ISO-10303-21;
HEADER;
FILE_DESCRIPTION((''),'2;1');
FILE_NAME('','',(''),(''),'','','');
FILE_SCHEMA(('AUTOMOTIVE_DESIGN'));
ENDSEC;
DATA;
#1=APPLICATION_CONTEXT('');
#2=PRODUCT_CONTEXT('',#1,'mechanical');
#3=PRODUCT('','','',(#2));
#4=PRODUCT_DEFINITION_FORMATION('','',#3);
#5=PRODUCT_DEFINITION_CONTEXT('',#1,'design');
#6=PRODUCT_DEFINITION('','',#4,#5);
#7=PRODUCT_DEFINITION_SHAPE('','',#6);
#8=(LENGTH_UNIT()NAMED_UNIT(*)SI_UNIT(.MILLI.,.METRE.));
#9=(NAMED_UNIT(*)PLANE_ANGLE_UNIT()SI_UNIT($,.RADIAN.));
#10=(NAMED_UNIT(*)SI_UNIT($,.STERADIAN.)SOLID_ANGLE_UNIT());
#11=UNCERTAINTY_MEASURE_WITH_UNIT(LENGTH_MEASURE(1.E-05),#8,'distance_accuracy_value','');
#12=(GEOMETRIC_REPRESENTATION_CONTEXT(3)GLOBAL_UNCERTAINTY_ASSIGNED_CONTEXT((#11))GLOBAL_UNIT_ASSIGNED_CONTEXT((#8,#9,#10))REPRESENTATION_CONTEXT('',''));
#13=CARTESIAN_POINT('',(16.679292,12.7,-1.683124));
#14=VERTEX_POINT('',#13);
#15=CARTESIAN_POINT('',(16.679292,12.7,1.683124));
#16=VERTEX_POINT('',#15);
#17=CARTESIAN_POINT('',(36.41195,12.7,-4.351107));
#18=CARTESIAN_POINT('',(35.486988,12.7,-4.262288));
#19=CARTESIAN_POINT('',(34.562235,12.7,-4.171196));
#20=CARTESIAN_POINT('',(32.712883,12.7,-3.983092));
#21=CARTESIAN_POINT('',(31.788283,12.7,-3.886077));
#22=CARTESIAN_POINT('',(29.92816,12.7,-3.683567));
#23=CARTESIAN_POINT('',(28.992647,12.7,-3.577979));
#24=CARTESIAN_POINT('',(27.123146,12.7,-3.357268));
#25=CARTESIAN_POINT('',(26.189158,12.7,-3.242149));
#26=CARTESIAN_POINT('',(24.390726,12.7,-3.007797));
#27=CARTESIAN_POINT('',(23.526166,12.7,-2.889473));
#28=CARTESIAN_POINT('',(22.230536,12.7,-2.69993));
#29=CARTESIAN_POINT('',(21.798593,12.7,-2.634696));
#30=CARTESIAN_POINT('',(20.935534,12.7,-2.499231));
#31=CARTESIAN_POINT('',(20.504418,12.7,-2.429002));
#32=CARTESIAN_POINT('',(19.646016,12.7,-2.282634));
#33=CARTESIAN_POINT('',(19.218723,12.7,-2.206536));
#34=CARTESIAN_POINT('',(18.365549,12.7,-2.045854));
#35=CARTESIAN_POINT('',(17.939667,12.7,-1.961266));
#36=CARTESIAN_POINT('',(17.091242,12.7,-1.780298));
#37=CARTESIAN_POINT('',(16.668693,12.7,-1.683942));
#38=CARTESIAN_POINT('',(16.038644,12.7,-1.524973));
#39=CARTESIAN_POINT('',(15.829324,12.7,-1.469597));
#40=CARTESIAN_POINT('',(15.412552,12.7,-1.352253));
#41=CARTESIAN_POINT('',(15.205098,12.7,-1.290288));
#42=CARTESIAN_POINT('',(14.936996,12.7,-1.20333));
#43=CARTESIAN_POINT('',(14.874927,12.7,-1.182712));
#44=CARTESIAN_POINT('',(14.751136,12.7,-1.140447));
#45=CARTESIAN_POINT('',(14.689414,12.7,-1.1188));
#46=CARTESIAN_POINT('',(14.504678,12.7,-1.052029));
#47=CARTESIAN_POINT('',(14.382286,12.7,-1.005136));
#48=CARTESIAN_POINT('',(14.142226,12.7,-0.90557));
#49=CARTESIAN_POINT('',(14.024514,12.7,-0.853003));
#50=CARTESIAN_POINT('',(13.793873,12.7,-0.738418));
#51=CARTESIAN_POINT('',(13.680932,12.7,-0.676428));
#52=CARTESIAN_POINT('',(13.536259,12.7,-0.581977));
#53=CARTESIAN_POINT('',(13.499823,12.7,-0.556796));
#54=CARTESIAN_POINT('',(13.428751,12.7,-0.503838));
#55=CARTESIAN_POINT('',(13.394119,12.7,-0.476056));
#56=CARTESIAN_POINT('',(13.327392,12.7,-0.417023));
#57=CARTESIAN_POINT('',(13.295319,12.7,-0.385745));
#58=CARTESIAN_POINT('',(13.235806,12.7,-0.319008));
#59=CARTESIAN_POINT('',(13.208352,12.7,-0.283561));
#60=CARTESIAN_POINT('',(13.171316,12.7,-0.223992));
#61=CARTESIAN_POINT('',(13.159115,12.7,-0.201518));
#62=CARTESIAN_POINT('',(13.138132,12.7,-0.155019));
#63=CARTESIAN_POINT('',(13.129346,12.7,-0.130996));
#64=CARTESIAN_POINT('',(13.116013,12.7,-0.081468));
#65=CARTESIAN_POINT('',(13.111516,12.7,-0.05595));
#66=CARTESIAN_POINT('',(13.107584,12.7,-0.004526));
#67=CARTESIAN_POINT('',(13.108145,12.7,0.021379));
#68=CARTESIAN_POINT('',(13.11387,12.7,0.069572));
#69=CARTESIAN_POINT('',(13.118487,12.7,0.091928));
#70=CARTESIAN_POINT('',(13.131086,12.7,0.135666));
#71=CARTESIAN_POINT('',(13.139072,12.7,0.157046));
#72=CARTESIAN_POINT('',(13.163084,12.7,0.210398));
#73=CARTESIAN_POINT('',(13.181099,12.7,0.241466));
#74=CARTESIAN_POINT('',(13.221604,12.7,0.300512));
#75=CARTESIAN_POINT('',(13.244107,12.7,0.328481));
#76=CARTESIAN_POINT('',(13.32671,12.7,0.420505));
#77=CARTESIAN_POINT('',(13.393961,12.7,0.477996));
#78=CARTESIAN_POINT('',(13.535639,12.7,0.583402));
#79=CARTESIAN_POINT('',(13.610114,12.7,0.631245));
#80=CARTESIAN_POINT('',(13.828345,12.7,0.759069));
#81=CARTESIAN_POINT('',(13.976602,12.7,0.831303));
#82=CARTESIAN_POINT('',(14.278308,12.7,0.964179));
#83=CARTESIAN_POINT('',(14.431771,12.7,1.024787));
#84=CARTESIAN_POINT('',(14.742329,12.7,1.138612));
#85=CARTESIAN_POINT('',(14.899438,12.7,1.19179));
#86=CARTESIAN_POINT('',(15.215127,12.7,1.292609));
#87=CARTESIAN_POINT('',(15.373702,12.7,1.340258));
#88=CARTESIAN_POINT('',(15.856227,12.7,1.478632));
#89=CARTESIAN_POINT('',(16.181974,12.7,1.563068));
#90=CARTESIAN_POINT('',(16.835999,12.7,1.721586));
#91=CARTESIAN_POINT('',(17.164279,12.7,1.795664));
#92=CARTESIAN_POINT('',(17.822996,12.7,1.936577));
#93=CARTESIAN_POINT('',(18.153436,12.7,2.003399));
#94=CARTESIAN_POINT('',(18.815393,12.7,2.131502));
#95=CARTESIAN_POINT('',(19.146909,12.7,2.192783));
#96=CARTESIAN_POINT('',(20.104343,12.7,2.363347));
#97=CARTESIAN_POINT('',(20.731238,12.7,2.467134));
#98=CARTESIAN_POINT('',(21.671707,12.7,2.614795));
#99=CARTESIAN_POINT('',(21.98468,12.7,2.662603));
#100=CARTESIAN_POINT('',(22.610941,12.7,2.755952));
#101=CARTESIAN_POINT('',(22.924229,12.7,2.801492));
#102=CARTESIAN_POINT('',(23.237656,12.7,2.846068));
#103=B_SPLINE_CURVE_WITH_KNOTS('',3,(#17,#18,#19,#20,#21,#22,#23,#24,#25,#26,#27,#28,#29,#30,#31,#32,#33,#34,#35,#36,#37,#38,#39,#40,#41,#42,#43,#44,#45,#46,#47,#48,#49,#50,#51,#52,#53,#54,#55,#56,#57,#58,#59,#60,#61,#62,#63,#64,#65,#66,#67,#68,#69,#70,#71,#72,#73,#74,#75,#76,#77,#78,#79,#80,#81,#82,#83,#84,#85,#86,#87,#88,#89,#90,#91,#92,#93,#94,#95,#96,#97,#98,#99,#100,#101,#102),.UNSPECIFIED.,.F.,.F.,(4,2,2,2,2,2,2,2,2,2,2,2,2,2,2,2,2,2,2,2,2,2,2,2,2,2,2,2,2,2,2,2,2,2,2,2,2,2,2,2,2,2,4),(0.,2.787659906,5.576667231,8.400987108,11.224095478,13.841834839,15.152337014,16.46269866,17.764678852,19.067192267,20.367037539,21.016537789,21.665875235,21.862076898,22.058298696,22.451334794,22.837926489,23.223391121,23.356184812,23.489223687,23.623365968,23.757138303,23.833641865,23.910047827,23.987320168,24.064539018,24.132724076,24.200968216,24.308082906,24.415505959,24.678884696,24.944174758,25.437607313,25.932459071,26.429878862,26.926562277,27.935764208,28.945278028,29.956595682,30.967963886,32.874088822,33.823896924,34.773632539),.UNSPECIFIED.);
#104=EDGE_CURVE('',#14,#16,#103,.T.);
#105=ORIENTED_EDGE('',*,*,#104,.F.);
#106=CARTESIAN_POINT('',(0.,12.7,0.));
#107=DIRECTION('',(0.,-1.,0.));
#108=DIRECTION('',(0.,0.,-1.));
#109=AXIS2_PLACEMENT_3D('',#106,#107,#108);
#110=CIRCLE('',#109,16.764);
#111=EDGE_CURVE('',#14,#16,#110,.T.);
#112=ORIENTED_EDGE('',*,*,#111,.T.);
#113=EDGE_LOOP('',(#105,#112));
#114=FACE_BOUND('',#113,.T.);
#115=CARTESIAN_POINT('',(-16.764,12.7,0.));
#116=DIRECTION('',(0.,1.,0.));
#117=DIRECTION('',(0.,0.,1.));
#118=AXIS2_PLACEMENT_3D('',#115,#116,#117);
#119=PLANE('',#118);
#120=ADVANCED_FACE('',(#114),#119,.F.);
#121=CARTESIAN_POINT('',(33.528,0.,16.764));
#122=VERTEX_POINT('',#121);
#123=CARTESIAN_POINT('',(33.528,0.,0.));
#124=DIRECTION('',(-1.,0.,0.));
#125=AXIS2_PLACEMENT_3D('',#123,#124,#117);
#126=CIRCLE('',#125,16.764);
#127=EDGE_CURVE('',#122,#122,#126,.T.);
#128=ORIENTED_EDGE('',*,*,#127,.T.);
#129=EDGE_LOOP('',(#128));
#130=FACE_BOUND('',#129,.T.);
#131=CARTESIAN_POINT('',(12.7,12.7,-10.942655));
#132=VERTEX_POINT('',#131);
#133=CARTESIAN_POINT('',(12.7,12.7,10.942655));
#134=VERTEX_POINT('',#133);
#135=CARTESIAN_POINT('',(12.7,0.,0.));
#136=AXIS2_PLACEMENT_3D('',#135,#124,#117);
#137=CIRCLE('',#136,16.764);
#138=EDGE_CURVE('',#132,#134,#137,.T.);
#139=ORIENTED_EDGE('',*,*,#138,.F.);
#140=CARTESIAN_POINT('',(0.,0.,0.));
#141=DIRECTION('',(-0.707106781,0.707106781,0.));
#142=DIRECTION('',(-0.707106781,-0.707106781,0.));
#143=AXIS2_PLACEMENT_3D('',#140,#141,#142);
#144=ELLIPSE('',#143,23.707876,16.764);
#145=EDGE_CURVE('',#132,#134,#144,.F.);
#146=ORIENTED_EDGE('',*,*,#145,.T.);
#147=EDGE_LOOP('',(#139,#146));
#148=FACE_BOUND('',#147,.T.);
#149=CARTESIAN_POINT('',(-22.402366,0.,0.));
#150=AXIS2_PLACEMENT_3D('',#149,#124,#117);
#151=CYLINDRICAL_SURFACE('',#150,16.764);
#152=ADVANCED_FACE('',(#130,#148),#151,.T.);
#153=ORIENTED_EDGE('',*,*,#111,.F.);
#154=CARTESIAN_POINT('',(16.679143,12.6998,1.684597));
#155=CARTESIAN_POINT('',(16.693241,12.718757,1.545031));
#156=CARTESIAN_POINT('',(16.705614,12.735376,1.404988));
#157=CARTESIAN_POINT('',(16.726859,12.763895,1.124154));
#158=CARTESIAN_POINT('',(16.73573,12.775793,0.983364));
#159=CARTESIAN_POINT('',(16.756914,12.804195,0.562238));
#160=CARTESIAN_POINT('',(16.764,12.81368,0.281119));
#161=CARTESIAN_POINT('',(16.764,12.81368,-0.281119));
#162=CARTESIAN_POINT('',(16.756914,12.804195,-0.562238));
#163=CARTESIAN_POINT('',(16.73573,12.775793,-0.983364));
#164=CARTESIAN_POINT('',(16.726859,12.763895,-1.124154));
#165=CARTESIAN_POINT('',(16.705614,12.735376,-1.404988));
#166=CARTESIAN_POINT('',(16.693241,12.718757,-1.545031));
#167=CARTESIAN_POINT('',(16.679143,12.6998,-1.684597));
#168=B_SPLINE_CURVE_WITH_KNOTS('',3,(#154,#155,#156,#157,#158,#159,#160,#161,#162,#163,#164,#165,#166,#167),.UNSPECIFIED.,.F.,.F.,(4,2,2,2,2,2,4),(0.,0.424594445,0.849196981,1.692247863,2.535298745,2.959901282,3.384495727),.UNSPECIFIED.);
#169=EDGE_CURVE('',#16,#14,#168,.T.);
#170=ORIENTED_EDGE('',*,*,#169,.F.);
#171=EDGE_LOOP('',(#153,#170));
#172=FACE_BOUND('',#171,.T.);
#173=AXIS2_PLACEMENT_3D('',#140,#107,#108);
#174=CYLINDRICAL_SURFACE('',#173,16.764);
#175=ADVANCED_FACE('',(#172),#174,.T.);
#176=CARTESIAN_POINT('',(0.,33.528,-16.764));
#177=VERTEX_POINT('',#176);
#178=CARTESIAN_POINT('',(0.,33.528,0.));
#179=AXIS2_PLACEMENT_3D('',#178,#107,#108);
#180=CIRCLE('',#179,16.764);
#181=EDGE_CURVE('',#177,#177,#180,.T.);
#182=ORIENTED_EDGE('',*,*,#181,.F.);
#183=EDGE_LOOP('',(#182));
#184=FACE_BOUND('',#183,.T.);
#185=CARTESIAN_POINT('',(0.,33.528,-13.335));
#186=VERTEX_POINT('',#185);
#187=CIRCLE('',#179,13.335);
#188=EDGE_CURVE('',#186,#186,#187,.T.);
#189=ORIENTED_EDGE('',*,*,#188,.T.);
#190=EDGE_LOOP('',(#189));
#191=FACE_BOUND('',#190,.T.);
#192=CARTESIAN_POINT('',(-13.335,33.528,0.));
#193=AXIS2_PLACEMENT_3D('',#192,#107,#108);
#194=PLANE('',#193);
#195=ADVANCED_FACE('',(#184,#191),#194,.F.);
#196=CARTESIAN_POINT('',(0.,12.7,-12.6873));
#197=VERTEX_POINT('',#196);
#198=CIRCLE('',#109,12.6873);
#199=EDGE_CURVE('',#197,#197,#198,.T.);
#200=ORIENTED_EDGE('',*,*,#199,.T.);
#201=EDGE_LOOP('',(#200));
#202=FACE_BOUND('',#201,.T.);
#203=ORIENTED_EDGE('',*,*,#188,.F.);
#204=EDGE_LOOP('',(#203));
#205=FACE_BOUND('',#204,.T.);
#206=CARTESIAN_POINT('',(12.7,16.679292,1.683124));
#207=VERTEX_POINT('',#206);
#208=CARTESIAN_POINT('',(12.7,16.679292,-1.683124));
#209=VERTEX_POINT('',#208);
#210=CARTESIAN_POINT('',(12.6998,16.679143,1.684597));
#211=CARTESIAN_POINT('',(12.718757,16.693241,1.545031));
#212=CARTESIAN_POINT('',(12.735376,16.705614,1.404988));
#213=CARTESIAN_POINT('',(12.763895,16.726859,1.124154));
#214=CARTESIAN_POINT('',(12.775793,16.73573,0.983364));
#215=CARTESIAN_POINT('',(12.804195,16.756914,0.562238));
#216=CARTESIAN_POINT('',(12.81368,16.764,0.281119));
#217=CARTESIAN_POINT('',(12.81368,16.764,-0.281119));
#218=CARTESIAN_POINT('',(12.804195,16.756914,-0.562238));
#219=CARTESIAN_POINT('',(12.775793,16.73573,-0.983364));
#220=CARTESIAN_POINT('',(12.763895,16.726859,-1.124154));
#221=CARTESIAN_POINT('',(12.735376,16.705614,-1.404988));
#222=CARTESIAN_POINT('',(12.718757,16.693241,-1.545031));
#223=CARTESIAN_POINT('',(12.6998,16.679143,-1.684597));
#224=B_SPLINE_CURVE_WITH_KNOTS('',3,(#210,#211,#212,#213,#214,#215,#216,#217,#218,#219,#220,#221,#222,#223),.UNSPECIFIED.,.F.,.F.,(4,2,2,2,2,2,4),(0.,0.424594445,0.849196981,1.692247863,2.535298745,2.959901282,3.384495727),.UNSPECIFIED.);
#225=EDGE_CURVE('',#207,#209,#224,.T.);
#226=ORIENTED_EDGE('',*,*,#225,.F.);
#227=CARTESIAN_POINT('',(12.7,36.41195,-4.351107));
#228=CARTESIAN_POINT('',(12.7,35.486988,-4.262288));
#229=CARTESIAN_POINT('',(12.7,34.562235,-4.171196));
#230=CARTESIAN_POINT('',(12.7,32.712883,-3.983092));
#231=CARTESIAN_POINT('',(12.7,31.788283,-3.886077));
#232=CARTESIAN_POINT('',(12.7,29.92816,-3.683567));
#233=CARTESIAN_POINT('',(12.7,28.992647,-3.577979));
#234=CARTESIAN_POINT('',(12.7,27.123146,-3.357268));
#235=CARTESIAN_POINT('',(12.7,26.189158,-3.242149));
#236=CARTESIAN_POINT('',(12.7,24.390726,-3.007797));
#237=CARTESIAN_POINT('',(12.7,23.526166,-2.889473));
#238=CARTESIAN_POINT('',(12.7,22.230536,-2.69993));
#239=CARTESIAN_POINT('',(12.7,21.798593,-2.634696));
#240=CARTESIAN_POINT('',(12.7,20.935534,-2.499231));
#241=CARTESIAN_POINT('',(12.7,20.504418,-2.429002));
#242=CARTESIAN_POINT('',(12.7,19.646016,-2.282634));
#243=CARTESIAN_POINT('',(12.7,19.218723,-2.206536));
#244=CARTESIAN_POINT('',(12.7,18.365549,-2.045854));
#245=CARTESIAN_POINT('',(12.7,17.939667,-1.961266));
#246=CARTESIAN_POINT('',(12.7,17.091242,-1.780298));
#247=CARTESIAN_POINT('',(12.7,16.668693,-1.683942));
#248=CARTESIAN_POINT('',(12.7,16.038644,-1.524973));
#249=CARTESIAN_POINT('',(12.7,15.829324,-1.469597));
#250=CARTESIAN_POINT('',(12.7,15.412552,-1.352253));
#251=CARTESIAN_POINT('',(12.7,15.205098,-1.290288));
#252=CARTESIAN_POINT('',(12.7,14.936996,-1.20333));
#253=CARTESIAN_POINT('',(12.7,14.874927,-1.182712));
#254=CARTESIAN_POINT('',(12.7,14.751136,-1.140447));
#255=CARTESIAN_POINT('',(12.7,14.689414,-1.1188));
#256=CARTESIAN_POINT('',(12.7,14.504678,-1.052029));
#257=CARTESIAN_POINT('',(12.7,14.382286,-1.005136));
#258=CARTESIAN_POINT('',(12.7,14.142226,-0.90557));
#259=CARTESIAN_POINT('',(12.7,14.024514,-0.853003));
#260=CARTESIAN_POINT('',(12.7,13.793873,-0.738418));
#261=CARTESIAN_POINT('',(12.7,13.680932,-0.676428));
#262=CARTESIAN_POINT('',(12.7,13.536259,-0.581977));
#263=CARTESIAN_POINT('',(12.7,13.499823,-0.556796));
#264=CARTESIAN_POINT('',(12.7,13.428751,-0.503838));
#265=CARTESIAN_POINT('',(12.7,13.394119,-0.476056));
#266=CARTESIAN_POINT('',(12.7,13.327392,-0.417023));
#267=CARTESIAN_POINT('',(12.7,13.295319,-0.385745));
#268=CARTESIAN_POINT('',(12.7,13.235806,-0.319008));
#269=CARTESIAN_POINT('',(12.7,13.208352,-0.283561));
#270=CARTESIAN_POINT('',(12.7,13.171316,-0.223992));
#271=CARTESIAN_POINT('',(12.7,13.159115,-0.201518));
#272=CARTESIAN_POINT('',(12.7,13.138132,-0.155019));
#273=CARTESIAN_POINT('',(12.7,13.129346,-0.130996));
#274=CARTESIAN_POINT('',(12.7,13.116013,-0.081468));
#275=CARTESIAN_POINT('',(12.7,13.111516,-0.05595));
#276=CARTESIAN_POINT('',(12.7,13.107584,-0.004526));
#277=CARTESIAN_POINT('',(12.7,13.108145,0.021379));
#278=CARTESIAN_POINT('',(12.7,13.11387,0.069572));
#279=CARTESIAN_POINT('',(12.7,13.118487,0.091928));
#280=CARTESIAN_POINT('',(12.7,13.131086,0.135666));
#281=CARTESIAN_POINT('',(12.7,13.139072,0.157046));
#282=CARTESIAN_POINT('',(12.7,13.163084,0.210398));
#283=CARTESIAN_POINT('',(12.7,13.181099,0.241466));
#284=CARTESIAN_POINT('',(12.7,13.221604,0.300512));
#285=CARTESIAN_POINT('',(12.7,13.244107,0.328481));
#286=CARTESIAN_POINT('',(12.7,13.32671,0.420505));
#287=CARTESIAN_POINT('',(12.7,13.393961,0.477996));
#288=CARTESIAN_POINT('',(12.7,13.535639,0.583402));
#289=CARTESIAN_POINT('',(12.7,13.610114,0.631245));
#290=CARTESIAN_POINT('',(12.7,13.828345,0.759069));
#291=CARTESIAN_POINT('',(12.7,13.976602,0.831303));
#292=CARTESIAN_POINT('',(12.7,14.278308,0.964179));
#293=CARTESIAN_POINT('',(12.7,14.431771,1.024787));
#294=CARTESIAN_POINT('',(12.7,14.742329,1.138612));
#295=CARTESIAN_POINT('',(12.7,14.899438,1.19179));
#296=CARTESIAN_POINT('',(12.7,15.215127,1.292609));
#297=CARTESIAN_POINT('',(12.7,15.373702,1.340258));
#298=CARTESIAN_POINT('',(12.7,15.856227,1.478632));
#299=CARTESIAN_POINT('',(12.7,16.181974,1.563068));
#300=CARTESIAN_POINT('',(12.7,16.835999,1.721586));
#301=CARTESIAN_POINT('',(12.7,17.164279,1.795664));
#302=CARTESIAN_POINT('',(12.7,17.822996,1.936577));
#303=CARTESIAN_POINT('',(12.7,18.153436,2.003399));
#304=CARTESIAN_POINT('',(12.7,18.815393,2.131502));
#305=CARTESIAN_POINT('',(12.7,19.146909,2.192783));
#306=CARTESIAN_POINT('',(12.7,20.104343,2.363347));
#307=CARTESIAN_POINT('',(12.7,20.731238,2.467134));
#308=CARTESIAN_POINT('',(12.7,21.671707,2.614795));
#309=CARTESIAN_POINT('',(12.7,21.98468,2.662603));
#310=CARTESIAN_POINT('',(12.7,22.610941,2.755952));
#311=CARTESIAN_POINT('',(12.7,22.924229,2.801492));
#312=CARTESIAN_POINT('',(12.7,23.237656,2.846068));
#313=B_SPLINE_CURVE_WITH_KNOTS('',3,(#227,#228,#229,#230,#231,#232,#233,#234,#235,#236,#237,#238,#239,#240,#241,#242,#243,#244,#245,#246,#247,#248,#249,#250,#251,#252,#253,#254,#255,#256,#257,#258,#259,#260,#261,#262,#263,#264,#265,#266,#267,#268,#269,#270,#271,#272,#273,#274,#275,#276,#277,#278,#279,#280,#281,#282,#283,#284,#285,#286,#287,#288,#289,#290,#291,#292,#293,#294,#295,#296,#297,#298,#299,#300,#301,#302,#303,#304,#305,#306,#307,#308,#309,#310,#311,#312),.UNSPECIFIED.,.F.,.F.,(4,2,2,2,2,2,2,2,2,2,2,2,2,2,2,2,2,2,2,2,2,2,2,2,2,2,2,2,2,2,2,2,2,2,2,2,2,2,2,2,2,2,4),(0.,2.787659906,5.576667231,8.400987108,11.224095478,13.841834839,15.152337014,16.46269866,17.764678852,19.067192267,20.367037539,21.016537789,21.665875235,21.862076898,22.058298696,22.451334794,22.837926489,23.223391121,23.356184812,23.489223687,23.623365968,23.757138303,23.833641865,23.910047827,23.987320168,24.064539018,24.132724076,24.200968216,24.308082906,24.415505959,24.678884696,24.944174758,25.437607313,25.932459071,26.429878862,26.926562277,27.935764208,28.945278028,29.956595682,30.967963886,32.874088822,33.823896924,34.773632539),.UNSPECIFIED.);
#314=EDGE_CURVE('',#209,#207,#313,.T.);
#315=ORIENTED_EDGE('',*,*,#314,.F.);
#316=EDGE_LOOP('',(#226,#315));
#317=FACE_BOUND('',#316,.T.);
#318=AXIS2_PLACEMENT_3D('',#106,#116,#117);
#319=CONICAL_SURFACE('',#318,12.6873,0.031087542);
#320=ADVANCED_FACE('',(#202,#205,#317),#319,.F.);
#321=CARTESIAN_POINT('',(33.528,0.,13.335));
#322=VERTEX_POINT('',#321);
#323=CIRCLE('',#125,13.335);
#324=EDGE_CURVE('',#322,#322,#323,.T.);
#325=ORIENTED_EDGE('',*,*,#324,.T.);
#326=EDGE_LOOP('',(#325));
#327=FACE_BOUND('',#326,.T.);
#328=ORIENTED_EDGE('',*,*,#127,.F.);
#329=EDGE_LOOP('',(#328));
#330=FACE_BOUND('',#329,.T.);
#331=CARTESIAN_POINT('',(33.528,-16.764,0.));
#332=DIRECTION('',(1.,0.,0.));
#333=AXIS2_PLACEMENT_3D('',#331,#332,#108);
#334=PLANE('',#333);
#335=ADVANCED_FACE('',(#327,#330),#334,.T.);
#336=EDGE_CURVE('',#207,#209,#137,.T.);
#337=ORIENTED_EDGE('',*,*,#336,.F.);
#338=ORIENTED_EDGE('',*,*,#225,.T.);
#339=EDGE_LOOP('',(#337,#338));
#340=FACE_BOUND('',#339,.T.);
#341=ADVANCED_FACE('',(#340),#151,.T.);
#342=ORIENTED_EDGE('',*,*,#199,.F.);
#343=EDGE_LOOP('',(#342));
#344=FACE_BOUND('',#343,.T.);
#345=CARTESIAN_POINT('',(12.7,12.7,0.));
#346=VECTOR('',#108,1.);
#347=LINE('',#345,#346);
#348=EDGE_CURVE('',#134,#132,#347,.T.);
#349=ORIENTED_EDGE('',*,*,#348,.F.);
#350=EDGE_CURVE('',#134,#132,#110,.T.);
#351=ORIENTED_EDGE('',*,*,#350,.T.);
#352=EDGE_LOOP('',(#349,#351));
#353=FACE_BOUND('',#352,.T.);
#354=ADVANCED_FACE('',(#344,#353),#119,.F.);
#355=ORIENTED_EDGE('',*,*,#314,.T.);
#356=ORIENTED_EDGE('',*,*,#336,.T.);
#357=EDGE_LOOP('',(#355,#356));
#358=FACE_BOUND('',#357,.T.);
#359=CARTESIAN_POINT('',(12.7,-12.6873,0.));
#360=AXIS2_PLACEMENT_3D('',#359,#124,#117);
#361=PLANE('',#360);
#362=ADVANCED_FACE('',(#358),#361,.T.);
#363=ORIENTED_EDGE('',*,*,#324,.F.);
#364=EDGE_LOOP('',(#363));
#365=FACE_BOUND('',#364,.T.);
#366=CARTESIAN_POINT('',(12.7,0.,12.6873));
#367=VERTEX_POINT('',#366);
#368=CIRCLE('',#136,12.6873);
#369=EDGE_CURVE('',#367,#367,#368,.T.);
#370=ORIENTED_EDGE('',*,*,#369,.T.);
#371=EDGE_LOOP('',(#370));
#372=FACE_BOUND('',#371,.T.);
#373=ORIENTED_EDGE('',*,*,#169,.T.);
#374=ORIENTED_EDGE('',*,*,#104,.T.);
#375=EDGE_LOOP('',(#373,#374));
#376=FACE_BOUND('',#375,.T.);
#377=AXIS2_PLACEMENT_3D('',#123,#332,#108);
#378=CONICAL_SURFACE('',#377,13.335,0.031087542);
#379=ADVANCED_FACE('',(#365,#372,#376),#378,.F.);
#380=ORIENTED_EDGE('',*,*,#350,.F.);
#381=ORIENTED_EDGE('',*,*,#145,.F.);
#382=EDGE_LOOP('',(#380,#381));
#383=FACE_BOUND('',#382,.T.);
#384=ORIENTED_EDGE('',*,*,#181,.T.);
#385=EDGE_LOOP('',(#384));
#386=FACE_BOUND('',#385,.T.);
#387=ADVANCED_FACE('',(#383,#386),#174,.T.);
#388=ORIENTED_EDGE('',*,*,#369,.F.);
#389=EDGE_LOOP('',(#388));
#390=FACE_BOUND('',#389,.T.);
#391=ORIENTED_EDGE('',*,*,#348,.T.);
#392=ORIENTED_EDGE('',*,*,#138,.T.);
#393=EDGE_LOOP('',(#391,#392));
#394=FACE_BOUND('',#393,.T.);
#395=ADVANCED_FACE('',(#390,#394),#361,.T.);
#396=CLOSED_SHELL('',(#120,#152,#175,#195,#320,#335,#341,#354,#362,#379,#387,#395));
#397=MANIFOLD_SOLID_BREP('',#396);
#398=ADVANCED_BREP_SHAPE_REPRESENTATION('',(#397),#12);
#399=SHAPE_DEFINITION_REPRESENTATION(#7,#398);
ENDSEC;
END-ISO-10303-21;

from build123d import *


with BuildPart() as part:
    # Sketch1 → Revolve1 (revolve)
    with BuildSketch(Plane.XY, mode=Mode.PRIVATE) as revolve1_sk:
        Polygon((12.7, -12.6873), (33.528, -13.335), (33.528, -16.764), (12.7, -16.764), align=None)
    revolve(revolve1_sk.sketch.rotate(Axis((-22.402366391, 0, 0), (1, 0, 0)), 270), axis=Axis((-22.402366391, 0, 0), (1, 0, 0)))

    # Sketch2 → Revolve2 (revolve)
    with BuildSketch(Plane.XY, mode=Mode.PRIVATE) as revolve2_sk:
        Polygon((-16.764, 33.528), (-16.764, 12.7), (-12.6873, 12.7), (-13.335, 33.528), align=None)
    revolve(revolve2_sk.sketch.rotate(Axis((0, 0, 0), (0, 1, 0)), 270), axis=Axis((0, 0, 0), (0, 1, 0)))


solid = part.part
